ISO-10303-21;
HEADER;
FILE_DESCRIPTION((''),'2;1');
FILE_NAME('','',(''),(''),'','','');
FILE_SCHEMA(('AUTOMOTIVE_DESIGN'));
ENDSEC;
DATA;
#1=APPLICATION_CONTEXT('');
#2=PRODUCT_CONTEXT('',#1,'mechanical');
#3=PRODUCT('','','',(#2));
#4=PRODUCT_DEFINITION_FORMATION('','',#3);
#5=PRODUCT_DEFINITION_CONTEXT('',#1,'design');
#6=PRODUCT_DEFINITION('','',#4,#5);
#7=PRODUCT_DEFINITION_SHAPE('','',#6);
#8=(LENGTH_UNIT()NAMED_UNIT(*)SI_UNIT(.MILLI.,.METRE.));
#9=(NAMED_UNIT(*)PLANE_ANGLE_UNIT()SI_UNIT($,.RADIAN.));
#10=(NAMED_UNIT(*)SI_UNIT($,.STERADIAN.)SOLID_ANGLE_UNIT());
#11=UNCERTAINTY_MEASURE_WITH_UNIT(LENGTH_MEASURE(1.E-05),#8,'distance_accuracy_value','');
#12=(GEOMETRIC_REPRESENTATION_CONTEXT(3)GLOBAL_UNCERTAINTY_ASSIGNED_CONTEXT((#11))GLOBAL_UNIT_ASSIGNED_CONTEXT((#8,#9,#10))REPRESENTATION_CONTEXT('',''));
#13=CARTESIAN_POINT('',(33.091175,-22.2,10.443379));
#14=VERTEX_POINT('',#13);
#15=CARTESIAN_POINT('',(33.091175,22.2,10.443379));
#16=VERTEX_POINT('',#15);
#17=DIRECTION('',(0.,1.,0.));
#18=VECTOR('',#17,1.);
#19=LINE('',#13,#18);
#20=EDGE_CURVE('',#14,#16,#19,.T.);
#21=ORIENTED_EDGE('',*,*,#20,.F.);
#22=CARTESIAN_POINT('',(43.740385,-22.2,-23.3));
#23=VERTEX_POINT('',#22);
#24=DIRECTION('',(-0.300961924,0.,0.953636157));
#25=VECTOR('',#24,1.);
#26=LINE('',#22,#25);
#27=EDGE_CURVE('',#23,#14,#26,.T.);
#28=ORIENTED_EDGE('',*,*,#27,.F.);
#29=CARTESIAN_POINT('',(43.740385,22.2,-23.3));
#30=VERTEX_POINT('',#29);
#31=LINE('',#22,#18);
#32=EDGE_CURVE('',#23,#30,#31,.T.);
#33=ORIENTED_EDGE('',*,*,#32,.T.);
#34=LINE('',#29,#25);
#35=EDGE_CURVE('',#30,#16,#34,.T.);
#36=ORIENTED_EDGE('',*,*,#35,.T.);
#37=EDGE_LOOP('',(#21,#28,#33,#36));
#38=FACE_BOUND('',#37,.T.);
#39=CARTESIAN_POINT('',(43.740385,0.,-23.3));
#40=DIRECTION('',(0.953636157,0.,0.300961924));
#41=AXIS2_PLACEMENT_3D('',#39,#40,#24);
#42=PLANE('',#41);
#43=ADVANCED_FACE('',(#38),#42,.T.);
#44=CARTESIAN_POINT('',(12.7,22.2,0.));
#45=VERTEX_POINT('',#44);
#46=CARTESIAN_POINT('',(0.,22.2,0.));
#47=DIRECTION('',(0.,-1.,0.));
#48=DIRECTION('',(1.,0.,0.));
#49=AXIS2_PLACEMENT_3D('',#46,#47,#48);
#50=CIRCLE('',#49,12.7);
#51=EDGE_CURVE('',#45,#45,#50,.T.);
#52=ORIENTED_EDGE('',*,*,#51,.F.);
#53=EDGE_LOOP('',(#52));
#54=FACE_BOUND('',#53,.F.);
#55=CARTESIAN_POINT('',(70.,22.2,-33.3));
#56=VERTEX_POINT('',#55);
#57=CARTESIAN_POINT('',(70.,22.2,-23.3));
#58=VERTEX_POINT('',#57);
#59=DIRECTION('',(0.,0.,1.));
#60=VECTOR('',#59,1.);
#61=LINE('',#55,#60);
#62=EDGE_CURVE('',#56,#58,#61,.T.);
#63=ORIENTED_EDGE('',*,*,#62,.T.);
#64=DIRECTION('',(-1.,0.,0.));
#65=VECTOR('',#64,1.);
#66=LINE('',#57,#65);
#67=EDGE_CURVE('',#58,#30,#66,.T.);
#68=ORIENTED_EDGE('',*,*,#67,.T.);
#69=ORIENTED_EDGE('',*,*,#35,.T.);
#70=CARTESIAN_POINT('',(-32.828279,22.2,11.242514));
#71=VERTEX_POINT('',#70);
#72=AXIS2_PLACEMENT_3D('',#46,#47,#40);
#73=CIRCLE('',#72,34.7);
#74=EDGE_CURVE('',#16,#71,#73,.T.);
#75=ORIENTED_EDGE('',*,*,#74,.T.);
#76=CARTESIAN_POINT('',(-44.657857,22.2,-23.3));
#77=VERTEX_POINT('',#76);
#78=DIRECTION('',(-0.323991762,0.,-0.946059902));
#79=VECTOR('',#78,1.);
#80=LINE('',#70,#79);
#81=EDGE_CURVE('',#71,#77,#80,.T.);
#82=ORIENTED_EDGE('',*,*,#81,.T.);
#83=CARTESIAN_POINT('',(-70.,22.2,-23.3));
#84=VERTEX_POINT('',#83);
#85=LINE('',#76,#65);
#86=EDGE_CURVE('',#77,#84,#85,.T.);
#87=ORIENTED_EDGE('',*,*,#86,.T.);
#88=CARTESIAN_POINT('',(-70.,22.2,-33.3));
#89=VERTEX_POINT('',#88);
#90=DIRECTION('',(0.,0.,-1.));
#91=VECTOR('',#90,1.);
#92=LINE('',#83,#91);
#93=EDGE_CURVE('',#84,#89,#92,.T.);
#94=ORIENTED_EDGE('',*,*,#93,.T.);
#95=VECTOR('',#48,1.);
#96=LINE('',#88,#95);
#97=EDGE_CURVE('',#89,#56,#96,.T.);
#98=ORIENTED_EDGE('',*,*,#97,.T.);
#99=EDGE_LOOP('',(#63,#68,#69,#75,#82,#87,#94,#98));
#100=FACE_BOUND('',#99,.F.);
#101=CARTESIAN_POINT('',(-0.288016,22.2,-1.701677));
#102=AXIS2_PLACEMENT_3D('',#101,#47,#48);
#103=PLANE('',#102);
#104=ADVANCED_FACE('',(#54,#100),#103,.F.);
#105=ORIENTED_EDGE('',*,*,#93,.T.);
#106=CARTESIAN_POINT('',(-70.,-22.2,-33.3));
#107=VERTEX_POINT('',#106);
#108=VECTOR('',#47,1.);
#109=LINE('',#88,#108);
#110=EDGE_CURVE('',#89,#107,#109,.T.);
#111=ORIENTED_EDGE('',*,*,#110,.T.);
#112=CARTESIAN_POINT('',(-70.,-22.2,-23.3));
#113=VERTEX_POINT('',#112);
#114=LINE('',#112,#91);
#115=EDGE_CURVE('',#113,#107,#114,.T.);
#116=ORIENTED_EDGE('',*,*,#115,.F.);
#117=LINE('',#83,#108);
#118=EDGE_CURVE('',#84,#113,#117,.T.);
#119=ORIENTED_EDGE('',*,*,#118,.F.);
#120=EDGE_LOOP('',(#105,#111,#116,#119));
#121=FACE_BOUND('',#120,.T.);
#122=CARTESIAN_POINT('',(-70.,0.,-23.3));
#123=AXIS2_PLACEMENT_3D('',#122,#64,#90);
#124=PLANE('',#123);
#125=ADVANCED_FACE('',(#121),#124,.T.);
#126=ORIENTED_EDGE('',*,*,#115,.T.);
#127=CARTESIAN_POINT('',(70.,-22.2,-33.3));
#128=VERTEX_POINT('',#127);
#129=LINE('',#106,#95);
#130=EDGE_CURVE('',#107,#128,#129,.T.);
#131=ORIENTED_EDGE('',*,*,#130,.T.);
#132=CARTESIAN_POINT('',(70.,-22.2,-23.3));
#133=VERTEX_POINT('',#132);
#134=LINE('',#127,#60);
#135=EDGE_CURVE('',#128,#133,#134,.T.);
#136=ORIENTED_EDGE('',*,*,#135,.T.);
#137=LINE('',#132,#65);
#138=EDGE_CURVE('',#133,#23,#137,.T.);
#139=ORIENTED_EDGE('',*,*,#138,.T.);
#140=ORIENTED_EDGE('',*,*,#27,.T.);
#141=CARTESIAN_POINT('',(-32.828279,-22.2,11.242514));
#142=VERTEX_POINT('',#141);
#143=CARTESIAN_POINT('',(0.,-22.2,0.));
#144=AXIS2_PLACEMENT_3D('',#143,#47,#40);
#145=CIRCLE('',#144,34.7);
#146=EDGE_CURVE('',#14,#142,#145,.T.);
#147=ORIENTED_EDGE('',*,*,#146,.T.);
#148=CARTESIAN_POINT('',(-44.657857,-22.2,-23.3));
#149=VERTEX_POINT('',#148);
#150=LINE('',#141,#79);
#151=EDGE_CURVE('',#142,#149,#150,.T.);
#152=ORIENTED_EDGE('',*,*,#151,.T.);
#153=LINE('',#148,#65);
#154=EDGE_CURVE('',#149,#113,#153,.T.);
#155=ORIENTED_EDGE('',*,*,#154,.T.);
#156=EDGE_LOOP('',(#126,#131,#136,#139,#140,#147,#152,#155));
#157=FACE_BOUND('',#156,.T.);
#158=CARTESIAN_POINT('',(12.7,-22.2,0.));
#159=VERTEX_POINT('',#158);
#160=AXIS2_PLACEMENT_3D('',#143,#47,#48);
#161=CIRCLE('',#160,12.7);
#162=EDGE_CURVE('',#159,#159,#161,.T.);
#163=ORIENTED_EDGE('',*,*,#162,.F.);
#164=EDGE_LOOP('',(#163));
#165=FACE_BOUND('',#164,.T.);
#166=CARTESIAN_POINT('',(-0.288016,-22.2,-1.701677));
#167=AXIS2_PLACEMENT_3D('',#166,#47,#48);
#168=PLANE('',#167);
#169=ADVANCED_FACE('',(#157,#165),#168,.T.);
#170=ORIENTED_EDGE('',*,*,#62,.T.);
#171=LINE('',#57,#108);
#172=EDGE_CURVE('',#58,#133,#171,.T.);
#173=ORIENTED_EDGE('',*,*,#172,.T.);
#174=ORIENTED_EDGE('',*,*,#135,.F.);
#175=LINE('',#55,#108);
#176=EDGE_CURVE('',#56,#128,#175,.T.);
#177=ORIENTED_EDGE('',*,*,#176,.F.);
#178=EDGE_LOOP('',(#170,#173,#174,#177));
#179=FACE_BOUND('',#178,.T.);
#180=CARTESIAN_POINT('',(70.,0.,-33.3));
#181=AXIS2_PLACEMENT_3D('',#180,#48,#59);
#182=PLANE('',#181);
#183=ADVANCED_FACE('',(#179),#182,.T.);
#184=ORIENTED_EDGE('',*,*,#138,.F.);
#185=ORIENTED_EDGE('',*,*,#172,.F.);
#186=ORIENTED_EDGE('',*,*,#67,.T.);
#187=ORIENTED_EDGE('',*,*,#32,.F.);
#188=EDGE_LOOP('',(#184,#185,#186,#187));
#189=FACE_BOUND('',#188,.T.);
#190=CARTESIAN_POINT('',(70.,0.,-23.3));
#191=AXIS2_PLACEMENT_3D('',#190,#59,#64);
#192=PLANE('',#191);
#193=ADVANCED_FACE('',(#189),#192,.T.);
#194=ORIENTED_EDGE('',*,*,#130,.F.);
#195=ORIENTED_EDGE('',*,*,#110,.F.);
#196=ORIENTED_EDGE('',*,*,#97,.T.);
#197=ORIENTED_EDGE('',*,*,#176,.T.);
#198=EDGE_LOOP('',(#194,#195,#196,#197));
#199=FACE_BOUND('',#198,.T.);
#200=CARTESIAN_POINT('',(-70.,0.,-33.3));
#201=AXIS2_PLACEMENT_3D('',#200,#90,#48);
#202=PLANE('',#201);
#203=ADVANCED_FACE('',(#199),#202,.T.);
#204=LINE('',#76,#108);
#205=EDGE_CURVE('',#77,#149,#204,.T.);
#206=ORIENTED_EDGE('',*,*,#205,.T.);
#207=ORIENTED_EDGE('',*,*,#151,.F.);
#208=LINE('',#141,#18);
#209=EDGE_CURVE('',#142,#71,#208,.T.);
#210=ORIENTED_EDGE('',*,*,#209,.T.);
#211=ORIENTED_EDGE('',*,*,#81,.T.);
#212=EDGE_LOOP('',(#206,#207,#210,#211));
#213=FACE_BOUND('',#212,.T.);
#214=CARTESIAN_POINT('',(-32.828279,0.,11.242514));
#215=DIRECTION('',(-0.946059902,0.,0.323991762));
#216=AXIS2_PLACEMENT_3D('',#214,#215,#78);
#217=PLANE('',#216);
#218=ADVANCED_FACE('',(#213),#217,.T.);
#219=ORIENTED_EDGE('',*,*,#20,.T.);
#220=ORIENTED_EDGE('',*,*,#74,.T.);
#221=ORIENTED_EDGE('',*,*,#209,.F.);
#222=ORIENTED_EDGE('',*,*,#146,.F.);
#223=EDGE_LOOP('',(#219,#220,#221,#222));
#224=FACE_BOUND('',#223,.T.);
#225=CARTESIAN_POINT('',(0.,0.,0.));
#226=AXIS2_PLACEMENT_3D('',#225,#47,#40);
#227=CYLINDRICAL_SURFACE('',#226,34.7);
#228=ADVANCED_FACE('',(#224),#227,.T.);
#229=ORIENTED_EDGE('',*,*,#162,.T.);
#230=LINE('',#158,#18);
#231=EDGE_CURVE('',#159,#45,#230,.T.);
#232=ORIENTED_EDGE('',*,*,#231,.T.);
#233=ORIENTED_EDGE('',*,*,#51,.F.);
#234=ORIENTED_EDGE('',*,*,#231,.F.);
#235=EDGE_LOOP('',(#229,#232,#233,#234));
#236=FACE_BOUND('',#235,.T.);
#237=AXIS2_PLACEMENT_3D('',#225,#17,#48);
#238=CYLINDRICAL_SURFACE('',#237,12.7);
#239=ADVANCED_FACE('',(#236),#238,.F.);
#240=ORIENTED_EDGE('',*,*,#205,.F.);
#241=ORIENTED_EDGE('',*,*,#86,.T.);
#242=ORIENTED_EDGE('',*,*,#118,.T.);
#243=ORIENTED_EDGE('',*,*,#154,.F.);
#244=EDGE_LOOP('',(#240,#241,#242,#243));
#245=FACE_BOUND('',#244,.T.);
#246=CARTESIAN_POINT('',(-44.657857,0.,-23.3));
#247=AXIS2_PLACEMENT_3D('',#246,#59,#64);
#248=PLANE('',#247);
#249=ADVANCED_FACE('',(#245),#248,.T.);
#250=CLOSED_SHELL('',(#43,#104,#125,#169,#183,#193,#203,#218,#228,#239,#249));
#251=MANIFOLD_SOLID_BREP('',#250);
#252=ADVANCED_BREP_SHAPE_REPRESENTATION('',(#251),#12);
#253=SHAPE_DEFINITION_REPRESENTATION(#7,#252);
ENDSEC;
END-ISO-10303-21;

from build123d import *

# Parameters (mm, degrees)
F0_R     = 12.7
F1_DEPTH = 22.2


with BuildPart() as f1:
    # F0 (on Front) → F1 (new body, symmetric)
    with BuildSketch(Plane.XZ):
        with BuildLine():
            Line((-32.8282786005, 11.2425141372), (-44.6578572467, -23.3))
            Line((-44.6578572467, -23.3), (43.7403851906, -23.3))
            Line((43.7403851906, -23.3), (33.0911746492, 10.4433787796))
            ThreePointArc((33.0911746492, 10.4433787796), (0.4206339418, 34.6974504407), (-32.8282786005, 11.2425141372))
        make_face()
        Circle(F0_R, mode=Mode.SUBTRACT)
        Polygon((-70, -23.3), (-70, -33.3), (70, -33.3), (70, -23.3), (43.7403851906, -23.3), (-44.6578572467, -23.3), align=None)
    extrude(amount=F1_DEPTH, both=True)


solid = f1.part
